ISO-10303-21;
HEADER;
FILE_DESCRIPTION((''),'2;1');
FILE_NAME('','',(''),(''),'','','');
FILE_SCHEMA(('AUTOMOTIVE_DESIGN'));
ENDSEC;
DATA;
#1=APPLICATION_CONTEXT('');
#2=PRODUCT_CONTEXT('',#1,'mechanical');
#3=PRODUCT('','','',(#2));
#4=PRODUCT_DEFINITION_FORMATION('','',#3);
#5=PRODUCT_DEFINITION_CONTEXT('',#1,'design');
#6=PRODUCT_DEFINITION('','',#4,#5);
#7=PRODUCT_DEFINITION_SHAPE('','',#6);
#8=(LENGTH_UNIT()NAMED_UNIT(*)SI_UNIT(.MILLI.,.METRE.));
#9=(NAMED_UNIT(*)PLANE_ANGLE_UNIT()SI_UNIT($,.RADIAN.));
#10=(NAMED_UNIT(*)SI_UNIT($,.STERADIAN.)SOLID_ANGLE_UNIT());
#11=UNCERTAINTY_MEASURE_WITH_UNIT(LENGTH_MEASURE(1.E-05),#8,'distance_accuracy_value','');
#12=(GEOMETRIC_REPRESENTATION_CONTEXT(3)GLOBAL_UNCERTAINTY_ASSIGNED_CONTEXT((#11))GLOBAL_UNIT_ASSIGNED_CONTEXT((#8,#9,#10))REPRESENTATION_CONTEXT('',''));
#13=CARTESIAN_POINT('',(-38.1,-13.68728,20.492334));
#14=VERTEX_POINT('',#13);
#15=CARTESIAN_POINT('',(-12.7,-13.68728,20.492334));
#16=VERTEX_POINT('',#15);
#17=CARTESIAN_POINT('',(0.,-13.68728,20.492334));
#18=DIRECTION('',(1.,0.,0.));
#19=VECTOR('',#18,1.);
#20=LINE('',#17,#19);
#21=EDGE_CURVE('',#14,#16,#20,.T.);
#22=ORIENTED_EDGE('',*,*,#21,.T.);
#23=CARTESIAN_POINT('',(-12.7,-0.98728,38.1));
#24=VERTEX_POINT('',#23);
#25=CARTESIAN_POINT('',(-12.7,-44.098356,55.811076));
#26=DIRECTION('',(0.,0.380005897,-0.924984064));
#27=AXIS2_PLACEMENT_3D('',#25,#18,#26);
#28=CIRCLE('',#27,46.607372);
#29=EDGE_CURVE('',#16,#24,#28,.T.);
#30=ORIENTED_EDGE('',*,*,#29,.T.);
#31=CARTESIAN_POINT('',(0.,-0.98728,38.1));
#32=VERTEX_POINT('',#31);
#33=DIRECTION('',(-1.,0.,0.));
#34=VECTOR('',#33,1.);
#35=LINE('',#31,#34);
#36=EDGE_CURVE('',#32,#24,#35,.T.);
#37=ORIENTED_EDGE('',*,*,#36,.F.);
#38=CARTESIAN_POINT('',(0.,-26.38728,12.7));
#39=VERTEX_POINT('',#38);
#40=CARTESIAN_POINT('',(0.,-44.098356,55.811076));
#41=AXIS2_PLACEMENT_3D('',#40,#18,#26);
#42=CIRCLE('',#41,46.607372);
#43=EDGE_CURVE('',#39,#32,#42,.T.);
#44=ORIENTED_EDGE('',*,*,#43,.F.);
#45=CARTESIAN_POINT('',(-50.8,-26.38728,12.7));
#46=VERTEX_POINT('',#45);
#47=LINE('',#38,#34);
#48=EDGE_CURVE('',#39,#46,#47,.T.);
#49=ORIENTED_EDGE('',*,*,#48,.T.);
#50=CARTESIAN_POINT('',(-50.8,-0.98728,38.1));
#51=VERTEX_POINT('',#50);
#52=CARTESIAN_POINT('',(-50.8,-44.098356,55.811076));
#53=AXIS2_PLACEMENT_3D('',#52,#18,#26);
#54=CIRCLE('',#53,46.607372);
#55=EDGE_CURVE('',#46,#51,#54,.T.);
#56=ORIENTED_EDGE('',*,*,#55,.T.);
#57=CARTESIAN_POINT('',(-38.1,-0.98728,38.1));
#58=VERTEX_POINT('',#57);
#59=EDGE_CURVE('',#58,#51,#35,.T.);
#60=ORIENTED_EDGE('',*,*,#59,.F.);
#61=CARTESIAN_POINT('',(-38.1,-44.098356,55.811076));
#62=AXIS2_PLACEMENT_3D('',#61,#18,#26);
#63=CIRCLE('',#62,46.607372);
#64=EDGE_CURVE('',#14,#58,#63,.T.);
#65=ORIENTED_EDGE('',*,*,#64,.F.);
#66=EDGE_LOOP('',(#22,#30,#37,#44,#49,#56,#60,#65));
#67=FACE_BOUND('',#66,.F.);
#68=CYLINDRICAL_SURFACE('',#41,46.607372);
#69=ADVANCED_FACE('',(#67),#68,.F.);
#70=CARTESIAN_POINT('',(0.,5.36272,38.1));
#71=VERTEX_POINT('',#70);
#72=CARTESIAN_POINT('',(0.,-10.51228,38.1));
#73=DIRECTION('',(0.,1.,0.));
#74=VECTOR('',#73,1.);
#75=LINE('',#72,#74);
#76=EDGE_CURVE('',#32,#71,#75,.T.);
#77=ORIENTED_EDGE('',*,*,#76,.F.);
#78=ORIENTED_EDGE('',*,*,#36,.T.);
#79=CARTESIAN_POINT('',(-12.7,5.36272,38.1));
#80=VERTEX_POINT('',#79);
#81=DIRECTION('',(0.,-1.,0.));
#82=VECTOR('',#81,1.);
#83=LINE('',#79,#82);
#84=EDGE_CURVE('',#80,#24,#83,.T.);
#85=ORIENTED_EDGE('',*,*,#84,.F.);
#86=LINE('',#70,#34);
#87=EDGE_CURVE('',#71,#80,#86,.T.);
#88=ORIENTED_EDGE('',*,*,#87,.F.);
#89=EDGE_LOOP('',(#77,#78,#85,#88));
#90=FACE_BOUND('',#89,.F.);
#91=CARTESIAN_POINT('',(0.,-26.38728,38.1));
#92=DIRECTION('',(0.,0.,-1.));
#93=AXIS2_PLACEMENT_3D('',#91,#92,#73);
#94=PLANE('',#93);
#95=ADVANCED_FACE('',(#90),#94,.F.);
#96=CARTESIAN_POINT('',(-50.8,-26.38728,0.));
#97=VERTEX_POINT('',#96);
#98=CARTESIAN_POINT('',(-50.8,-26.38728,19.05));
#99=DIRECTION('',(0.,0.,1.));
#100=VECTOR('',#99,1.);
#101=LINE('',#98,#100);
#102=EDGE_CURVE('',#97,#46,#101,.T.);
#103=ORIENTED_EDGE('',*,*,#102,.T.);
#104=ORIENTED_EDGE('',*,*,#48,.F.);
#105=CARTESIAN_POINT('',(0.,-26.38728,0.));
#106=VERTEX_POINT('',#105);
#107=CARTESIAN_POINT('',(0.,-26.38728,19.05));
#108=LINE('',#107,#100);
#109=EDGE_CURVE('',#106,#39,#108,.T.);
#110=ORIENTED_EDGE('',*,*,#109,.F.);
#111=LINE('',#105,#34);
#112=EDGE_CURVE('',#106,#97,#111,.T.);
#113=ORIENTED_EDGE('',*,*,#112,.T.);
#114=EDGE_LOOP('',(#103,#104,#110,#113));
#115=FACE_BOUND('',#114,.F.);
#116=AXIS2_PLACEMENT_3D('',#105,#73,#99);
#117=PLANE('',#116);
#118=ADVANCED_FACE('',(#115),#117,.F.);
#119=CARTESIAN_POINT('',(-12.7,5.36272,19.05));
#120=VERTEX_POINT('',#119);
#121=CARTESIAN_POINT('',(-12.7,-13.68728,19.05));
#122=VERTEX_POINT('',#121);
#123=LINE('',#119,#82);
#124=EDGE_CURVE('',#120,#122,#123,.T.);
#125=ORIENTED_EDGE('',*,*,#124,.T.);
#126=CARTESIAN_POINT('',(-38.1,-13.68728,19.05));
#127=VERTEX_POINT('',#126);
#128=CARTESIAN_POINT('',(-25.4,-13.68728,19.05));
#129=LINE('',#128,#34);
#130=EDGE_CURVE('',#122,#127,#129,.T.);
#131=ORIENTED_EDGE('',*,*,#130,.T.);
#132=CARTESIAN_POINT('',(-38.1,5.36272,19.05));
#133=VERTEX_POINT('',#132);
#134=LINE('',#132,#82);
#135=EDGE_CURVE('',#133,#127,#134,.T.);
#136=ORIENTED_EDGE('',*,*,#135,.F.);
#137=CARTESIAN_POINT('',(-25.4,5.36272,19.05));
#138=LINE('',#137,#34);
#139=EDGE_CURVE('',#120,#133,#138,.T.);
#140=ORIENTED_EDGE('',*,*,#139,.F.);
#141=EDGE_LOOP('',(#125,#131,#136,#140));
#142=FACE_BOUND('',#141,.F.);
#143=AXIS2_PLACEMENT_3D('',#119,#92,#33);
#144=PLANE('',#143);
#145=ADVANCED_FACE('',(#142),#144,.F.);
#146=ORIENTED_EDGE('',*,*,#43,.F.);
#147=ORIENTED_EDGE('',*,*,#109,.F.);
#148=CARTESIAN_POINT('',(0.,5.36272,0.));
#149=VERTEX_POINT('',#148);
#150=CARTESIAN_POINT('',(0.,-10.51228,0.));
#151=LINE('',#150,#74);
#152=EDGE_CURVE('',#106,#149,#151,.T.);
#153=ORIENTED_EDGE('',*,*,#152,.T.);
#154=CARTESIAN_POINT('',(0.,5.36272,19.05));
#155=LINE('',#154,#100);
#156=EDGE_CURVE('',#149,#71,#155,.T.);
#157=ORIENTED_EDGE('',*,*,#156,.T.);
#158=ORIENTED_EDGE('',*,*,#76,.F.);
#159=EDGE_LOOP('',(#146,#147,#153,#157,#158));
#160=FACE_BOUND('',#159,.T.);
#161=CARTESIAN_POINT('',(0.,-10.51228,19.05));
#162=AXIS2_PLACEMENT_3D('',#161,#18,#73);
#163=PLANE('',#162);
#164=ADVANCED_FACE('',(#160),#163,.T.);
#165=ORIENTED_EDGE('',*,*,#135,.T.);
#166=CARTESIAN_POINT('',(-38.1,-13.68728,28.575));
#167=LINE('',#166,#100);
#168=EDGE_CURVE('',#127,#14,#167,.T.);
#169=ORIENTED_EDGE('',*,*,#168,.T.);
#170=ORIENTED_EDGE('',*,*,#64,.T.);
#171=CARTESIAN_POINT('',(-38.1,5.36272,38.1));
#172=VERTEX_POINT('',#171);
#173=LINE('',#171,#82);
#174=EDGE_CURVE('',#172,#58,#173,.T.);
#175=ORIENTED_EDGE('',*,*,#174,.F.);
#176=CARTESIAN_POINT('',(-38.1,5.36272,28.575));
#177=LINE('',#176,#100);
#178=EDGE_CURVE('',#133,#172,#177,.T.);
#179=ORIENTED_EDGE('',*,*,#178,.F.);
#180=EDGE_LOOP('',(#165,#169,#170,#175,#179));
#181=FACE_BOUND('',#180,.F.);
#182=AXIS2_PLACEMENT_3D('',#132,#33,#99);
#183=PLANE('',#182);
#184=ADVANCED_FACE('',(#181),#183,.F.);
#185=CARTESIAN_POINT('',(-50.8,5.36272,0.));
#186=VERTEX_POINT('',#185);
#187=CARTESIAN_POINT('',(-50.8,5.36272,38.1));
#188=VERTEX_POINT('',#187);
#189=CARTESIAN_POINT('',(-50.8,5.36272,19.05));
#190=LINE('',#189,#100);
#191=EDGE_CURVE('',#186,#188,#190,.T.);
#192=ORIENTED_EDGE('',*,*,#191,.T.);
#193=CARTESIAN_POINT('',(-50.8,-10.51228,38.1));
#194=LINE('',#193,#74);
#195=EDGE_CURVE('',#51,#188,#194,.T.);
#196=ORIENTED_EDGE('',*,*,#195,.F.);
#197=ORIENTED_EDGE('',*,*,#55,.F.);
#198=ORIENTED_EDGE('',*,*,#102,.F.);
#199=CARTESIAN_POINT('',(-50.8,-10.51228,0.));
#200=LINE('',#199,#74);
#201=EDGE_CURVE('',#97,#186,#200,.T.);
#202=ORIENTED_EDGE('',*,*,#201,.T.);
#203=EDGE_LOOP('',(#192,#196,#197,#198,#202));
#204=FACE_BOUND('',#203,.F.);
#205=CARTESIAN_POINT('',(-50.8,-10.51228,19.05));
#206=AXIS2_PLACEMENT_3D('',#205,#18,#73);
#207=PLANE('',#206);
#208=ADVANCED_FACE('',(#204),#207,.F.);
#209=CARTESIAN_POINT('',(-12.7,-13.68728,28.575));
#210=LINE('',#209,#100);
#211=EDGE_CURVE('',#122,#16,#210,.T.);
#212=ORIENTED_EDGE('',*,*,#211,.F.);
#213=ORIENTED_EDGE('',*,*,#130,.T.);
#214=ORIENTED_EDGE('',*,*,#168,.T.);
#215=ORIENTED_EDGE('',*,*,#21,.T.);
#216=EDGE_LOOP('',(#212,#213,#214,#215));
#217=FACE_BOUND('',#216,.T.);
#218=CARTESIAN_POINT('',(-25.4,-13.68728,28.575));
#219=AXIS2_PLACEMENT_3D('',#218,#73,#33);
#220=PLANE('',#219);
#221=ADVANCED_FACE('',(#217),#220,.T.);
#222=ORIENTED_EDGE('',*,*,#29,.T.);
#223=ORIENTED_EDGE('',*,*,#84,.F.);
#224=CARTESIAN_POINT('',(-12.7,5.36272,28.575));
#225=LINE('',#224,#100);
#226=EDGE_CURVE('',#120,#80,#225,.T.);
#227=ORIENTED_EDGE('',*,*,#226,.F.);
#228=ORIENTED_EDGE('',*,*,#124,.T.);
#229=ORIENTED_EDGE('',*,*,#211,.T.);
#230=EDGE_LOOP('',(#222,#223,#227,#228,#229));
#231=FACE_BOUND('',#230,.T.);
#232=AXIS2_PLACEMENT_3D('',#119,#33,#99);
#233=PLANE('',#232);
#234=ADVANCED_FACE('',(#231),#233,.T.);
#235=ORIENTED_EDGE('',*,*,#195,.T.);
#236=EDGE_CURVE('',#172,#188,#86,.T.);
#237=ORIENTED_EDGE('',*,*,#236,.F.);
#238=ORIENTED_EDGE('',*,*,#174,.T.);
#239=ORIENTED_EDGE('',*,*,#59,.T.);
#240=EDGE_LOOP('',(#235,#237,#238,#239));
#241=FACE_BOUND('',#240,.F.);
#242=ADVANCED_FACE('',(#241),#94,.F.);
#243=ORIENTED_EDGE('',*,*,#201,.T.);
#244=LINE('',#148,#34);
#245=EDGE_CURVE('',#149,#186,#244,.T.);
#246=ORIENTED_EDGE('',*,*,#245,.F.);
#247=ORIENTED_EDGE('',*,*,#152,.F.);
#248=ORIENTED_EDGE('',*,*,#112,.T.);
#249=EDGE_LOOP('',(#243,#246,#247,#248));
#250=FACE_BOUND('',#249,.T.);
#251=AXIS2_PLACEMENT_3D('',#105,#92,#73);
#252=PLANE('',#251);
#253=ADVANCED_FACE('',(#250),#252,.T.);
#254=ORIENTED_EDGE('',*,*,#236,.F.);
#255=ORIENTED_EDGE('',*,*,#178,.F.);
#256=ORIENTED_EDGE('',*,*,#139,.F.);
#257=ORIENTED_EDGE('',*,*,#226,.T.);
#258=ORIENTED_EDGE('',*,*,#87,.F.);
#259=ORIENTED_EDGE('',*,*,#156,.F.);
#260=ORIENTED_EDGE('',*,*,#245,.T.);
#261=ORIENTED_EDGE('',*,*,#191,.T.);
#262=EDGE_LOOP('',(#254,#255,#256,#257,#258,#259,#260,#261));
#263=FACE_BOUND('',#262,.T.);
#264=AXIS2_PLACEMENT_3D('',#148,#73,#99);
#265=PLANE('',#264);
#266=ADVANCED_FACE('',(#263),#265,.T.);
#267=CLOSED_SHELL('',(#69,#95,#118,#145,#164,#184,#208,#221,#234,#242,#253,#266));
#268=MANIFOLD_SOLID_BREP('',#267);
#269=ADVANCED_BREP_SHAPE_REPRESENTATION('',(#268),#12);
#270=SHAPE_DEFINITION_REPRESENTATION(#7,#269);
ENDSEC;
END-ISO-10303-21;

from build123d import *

# Parameters (mm, degrees)
F0_W     = 31.75
F0_H     = 38.1
F1_DEPTH = 50.8
F3_DEPTH = 50.8
F4_W     = 25.4
F4_H     = 19.05
F5_DEPTH = 19.05


with BuildPart() as f1:
    # F0 (on Right) → F1 (new body)
    with BuildSketch(Plane.YZ):
        with Locations((-10.51228, 19.05)):
            Rectangle(F0_W, F0_H)
    extrude(amount=-F1_DEPTH)

    # F2 (on face) → F3 (cut)
    with BuildSketch(Plane.YZ):
        with BuildLine():
            Line((-26.38728, 38.1), (-26.38728, 12.7))
            ThreePointArc((-26.38728, 12.7), (-11.141967, 22.854688), (-0.98728, 38.1))
            Line((-0.98728, 38.1), (-26.38728, 38.1))
        make_face()
    extrude(amount=-F3_DEPTH, mode=Mode.SUBTRACT)

    # F4 (on face) → F5 (cut)
    with BuildSketch(Plane(origin=(0, 5.36272, 0), x_dir=(-1, 0, 0), z_dir=(0, 1, 0))):
        with Locations((25.4, 28.575)):
            Rectangle(F4_W, F4_H)
    extrude(amount=-F5_DEPTH, mode=Mode.SUBTRACT)


solid = f1.part
